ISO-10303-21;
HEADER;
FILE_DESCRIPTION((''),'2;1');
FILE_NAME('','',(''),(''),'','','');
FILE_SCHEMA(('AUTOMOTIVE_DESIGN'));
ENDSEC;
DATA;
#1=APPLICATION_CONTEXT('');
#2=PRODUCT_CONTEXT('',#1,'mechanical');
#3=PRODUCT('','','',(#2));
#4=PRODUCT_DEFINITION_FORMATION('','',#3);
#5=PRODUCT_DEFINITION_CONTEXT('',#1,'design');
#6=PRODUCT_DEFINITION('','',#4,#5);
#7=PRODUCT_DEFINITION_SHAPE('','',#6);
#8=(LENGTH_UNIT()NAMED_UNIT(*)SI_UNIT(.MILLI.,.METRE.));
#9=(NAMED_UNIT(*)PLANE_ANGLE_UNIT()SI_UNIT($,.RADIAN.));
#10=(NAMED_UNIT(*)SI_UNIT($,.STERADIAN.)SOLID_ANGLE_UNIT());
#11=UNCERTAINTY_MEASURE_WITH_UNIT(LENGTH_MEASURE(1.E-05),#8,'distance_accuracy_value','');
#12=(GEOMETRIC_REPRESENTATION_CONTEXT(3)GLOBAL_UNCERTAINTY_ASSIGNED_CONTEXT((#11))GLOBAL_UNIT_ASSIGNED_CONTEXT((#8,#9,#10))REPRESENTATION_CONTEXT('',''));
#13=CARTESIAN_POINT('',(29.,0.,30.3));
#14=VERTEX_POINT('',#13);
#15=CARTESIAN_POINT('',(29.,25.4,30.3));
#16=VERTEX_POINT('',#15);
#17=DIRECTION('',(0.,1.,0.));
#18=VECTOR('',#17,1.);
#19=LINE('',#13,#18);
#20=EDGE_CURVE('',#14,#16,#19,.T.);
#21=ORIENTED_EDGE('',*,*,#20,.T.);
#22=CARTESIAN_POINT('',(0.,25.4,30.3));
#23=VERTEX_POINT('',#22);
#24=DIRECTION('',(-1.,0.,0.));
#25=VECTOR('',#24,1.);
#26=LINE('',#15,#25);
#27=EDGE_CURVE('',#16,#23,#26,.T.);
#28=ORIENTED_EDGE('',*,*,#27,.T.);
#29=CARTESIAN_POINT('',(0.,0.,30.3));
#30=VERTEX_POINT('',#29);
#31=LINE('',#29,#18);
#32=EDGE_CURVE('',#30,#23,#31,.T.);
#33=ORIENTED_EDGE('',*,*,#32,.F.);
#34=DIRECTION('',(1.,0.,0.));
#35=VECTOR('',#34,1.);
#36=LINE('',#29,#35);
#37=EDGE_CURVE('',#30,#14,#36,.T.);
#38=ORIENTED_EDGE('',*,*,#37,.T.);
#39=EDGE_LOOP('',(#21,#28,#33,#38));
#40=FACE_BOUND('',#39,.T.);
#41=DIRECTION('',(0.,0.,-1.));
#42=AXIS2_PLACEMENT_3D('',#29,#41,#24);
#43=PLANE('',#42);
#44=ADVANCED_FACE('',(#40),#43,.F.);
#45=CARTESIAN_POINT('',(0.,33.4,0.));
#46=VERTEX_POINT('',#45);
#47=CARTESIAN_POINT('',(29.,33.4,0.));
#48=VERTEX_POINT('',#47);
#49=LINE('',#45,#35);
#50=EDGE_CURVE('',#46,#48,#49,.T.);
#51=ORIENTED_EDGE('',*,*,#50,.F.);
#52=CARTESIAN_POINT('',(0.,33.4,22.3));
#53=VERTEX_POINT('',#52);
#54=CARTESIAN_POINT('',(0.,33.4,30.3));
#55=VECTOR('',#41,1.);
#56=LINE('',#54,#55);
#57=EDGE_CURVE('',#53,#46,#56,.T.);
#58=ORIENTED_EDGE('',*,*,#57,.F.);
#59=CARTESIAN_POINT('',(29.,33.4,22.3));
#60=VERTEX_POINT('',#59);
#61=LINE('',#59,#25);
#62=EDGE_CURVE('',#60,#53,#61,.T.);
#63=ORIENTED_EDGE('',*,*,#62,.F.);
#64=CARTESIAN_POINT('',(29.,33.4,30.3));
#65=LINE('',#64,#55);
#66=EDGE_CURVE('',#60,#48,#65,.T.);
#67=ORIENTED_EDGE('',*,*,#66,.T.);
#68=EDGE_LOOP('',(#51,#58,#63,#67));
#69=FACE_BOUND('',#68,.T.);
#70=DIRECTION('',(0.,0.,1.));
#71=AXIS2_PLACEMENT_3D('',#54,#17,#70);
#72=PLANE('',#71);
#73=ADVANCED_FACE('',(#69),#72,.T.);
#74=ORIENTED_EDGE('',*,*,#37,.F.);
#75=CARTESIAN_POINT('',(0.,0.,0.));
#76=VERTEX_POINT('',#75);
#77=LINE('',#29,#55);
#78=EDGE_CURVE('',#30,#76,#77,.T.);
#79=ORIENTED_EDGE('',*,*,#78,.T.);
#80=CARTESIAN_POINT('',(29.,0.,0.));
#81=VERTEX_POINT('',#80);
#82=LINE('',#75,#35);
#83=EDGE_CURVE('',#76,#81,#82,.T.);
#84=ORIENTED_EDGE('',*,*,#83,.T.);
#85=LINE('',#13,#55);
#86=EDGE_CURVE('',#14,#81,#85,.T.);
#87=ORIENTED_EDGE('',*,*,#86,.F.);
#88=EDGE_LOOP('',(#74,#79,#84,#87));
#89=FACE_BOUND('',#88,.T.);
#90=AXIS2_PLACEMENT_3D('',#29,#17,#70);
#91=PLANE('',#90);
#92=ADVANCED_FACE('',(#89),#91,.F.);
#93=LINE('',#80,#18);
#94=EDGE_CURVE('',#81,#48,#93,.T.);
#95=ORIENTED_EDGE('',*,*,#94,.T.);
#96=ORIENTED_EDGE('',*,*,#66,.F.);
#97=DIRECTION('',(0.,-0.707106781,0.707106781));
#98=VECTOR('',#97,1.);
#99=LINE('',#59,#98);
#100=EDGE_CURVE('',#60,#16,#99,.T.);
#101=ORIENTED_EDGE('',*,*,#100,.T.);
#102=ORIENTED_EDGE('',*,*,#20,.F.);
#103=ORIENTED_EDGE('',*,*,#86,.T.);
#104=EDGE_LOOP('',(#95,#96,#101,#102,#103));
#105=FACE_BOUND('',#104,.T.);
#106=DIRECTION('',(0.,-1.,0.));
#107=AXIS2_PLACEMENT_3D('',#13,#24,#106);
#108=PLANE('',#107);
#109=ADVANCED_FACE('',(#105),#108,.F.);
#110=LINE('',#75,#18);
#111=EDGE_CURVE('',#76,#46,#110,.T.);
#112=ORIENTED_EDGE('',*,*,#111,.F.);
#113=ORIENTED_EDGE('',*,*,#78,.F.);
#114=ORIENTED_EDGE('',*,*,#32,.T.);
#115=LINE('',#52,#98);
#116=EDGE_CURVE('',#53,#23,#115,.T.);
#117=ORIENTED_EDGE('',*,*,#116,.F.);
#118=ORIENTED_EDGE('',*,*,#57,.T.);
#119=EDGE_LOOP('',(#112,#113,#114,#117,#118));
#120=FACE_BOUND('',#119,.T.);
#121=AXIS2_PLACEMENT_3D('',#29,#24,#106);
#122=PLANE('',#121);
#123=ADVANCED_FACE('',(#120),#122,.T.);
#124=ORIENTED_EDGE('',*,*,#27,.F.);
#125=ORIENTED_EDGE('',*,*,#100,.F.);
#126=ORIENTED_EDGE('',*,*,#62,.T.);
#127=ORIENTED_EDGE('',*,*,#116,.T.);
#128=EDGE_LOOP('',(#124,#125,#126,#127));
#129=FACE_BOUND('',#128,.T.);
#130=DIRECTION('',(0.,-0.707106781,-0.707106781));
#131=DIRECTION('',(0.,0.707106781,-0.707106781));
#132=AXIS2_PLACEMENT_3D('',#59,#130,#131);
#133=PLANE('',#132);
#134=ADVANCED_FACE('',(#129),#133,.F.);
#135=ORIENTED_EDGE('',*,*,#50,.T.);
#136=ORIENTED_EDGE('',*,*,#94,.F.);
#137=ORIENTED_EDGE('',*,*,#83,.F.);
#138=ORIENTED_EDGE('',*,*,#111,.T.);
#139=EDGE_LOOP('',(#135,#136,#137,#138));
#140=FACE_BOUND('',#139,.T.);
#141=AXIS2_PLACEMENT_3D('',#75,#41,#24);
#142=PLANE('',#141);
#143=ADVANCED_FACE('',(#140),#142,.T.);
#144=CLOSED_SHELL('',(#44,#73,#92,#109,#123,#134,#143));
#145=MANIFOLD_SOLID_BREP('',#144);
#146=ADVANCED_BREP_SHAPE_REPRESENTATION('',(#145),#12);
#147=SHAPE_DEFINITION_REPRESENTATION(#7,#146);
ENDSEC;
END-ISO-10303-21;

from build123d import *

# Parameters (mm, degrees)
SKETCH1_W           = 29
SKETCH1_H           = 33.4
BOSS_EXTRUDE2_DEPTH = 30.3
CUT_EXTRUDE1_DEPTH  = 54.615762608


with BuildPart() as part:
    # Sketch1 → Boss-Extrude2 (new body)
    with BuildSketch(Plane.XY):
        with Locations((14.5, 16.7)):
            Rectangle(SKETCH1_W, SKETCH1_H)
    extrude(amount=BOSS_EXTRUDE2_DEPTH)

    # Sketch2 → Cut-Extrude1 (cut, through all)
    with BuildSketch(Plane.ZY):
        Polygon((22.3, 33.4), (30.3, 25.4), (30.3, 33.4), align=None)
    extrude(amount=-CUT_EXTRUDE1_DEPTH, mode=Mode.SUBTRACT)


solid = part.part
